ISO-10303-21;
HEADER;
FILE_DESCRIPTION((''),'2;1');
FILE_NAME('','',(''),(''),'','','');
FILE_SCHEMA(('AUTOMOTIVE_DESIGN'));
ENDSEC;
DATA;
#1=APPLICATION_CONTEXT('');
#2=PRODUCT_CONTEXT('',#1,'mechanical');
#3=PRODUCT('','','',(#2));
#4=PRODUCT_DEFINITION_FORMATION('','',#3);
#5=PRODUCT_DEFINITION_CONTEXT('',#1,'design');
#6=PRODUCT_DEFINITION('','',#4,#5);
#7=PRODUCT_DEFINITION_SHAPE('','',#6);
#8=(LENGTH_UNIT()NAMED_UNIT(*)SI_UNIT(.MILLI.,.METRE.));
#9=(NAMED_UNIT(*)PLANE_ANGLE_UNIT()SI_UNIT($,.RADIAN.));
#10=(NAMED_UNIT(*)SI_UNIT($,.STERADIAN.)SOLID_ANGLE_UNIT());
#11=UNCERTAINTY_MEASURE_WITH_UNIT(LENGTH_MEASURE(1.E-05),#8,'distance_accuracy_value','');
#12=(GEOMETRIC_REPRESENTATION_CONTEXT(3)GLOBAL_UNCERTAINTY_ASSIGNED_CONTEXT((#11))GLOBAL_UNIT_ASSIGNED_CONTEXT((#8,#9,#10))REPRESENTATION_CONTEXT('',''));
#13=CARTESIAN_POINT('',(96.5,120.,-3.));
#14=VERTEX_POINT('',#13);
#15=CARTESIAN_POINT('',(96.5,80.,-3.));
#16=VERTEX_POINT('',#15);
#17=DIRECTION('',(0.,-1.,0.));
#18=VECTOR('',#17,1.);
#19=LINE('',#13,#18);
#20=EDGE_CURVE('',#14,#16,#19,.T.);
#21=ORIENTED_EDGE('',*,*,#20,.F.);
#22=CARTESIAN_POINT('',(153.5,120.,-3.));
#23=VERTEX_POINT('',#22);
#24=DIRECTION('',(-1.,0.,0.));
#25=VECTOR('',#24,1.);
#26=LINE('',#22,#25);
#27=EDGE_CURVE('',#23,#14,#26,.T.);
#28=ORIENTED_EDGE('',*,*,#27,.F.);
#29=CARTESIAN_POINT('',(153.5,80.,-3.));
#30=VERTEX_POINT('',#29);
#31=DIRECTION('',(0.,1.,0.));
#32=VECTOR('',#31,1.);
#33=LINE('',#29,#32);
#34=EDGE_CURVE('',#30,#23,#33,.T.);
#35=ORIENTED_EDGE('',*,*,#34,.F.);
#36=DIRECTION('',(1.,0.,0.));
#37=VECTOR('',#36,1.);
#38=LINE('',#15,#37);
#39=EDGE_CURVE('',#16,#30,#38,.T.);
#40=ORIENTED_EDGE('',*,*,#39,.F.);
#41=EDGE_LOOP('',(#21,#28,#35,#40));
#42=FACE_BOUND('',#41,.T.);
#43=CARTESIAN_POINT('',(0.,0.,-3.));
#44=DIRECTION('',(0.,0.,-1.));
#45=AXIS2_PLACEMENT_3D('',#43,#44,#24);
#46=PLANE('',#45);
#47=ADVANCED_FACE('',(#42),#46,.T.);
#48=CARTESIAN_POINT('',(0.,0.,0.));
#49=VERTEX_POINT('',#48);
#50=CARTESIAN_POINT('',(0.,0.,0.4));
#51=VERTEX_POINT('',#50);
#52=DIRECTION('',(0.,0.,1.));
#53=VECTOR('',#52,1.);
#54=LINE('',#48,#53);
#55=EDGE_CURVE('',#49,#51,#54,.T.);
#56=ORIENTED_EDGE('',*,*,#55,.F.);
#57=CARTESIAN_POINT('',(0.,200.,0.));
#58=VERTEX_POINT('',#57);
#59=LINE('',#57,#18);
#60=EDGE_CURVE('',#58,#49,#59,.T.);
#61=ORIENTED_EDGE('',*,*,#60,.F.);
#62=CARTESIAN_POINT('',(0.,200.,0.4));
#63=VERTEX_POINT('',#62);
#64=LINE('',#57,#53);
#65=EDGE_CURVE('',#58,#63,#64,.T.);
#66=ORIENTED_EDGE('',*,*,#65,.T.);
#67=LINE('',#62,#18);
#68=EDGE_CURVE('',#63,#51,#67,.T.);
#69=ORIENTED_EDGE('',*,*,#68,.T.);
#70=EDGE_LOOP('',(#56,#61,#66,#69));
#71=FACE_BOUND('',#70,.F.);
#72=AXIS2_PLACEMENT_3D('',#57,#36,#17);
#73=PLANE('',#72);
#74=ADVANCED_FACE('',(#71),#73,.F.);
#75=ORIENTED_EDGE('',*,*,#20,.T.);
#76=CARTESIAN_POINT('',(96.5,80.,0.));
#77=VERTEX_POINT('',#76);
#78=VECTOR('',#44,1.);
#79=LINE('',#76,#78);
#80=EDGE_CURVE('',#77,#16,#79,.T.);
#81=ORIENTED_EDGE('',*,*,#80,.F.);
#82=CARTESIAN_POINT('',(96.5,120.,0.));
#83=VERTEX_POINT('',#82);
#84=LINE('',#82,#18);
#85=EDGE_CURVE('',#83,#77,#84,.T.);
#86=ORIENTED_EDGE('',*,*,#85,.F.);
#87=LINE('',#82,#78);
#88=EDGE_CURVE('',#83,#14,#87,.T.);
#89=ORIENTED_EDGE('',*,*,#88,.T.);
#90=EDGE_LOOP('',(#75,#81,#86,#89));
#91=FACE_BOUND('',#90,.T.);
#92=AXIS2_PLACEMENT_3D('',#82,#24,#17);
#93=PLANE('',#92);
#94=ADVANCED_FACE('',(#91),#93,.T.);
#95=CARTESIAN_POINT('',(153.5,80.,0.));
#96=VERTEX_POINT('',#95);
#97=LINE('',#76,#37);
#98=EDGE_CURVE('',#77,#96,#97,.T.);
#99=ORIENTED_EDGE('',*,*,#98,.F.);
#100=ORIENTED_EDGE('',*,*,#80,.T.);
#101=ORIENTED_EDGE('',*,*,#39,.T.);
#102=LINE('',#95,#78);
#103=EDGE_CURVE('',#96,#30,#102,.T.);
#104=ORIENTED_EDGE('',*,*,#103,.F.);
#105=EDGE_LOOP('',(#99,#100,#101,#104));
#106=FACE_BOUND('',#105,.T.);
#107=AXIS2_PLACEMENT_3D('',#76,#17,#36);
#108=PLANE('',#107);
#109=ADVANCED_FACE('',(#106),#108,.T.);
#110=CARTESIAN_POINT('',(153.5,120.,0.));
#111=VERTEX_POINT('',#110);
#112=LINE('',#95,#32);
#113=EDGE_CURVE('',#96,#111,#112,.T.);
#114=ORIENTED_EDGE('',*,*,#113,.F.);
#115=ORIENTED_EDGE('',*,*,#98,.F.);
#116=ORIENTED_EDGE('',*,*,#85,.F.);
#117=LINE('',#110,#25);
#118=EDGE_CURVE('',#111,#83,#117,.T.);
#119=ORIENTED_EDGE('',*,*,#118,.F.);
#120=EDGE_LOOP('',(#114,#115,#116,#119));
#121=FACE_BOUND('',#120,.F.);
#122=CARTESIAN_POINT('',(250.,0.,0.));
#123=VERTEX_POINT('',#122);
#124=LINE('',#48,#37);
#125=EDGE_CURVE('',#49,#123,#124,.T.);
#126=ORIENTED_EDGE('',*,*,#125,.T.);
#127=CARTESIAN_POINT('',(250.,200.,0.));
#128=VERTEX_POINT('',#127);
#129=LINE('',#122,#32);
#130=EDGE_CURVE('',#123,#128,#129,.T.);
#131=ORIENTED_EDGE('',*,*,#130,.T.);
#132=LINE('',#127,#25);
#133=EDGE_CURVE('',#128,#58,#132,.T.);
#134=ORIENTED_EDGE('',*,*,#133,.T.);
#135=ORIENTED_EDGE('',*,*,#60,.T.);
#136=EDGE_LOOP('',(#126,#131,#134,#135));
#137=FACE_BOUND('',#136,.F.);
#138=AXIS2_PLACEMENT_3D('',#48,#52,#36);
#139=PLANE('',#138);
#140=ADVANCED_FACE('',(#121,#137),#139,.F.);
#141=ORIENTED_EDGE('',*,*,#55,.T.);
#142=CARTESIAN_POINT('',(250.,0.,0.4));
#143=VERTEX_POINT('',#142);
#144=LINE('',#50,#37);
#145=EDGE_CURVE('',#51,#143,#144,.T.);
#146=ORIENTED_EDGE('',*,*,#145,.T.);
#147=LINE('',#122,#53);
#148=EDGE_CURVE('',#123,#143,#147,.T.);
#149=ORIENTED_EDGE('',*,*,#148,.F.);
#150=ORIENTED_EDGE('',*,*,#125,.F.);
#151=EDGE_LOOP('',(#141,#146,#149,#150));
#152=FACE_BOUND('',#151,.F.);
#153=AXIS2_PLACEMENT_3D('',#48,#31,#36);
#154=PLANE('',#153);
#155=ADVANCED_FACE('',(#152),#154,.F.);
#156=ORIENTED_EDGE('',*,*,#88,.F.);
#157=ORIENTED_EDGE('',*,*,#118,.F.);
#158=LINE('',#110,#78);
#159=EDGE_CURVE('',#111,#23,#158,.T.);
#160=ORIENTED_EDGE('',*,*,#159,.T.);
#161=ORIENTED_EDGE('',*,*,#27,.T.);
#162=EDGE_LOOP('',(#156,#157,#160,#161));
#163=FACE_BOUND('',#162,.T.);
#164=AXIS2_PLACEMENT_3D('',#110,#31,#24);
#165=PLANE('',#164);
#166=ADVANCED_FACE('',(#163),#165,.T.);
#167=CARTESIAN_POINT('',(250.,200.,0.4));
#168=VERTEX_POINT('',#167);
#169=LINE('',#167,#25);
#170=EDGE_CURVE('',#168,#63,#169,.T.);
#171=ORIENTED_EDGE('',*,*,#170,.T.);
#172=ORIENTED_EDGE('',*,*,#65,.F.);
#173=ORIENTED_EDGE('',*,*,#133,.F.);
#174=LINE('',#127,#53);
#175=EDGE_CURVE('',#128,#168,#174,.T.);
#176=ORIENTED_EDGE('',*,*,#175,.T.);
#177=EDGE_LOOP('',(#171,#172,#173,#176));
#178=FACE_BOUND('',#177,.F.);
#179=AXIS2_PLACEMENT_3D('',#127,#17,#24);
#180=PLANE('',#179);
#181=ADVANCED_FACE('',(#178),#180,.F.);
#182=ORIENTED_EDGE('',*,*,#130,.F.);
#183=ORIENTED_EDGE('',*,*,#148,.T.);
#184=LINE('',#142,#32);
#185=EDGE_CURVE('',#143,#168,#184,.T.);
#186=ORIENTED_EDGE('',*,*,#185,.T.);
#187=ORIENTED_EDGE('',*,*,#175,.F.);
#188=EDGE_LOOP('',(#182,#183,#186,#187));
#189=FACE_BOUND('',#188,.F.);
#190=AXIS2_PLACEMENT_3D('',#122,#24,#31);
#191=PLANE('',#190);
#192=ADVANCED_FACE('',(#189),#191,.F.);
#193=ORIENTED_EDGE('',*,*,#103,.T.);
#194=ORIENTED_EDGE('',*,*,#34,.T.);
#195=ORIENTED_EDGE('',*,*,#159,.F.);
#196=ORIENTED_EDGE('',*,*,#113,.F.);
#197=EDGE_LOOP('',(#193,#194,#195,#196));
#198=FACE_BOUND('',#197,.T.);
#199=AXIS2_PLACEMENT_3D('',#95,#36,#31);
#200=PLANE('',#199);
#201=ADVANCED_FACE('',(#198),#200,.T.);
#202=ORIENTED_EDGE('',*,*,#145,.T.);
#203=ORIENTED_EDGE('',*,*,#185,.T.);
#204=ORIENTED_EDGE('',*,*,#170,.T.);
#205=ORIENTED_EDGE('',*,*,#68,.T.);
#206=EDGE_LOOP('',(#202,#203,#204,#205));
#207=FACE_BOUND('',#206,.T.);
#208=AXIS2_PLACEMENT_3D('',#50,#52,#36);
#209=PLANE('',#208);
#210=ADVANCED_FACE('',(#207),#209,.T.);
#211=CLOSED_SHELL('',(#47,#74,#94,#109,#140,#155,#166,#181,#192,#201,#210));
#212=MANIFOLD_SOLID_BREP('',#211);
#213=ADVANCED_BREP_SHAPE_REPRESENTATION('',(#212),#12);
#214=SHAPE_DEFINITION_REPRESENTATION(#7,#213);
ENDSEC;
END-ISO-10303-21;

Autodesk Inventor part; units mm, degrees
ref_plane "YZ Plane" through (0, 0, 0) normal (1, 0, 0) x (0, 1, 0)
ref_plane "XZ Plane" through (0, 0, 0) normal (0, 1, 0) x (-1, 0, 0)
ref_plane "XY Plane" through (0, 0, 0) normal (0, 0, 1) x (1, 0, 0)
sketch "Sketch1" plane through (0, 0, 0) normal (0, 0, 1) x (1, 0, 0)
  line L0 (0, 0) -> (250, 0)
  line L1 (250, 0) -> (250, 200)
  line L2 (250, 200) -> (0, 200)
  line L3 (0, 200) -> (0, 0)
  dimension "d0" = 250
  dimension "d1" = 200
extrude "Extrusion1" add sketch "Sketch1" along normal blind 0.4
sketch "Sketch2" plane through (0, 0, 0) normal (0, 0, -1) x (-1, 0, 0)
  line L0 (0, 0) -> (-250, 0) projected
  line L1 (-250, 0) -> (-250, 200) projected
  line L2 (-96.5, 80) -> (-153.5, 80)
  line L3 (-153.5, 80) -> (-153.5, 120)
  line L4 (-153.5, 120) -> (-96.5, 120)
  line L5 (-96.5, 120) -> (-96.5, 80)
  dimension "d4" = 57
  dimension "d5" = 40
  dimension "d6" = 80
  dimension "d7" = 96.5
extrude "Extrusion2" add sketch "Sketch2" along normal blind 3
properties part number "UltibotsKaptonHeater250x200"
